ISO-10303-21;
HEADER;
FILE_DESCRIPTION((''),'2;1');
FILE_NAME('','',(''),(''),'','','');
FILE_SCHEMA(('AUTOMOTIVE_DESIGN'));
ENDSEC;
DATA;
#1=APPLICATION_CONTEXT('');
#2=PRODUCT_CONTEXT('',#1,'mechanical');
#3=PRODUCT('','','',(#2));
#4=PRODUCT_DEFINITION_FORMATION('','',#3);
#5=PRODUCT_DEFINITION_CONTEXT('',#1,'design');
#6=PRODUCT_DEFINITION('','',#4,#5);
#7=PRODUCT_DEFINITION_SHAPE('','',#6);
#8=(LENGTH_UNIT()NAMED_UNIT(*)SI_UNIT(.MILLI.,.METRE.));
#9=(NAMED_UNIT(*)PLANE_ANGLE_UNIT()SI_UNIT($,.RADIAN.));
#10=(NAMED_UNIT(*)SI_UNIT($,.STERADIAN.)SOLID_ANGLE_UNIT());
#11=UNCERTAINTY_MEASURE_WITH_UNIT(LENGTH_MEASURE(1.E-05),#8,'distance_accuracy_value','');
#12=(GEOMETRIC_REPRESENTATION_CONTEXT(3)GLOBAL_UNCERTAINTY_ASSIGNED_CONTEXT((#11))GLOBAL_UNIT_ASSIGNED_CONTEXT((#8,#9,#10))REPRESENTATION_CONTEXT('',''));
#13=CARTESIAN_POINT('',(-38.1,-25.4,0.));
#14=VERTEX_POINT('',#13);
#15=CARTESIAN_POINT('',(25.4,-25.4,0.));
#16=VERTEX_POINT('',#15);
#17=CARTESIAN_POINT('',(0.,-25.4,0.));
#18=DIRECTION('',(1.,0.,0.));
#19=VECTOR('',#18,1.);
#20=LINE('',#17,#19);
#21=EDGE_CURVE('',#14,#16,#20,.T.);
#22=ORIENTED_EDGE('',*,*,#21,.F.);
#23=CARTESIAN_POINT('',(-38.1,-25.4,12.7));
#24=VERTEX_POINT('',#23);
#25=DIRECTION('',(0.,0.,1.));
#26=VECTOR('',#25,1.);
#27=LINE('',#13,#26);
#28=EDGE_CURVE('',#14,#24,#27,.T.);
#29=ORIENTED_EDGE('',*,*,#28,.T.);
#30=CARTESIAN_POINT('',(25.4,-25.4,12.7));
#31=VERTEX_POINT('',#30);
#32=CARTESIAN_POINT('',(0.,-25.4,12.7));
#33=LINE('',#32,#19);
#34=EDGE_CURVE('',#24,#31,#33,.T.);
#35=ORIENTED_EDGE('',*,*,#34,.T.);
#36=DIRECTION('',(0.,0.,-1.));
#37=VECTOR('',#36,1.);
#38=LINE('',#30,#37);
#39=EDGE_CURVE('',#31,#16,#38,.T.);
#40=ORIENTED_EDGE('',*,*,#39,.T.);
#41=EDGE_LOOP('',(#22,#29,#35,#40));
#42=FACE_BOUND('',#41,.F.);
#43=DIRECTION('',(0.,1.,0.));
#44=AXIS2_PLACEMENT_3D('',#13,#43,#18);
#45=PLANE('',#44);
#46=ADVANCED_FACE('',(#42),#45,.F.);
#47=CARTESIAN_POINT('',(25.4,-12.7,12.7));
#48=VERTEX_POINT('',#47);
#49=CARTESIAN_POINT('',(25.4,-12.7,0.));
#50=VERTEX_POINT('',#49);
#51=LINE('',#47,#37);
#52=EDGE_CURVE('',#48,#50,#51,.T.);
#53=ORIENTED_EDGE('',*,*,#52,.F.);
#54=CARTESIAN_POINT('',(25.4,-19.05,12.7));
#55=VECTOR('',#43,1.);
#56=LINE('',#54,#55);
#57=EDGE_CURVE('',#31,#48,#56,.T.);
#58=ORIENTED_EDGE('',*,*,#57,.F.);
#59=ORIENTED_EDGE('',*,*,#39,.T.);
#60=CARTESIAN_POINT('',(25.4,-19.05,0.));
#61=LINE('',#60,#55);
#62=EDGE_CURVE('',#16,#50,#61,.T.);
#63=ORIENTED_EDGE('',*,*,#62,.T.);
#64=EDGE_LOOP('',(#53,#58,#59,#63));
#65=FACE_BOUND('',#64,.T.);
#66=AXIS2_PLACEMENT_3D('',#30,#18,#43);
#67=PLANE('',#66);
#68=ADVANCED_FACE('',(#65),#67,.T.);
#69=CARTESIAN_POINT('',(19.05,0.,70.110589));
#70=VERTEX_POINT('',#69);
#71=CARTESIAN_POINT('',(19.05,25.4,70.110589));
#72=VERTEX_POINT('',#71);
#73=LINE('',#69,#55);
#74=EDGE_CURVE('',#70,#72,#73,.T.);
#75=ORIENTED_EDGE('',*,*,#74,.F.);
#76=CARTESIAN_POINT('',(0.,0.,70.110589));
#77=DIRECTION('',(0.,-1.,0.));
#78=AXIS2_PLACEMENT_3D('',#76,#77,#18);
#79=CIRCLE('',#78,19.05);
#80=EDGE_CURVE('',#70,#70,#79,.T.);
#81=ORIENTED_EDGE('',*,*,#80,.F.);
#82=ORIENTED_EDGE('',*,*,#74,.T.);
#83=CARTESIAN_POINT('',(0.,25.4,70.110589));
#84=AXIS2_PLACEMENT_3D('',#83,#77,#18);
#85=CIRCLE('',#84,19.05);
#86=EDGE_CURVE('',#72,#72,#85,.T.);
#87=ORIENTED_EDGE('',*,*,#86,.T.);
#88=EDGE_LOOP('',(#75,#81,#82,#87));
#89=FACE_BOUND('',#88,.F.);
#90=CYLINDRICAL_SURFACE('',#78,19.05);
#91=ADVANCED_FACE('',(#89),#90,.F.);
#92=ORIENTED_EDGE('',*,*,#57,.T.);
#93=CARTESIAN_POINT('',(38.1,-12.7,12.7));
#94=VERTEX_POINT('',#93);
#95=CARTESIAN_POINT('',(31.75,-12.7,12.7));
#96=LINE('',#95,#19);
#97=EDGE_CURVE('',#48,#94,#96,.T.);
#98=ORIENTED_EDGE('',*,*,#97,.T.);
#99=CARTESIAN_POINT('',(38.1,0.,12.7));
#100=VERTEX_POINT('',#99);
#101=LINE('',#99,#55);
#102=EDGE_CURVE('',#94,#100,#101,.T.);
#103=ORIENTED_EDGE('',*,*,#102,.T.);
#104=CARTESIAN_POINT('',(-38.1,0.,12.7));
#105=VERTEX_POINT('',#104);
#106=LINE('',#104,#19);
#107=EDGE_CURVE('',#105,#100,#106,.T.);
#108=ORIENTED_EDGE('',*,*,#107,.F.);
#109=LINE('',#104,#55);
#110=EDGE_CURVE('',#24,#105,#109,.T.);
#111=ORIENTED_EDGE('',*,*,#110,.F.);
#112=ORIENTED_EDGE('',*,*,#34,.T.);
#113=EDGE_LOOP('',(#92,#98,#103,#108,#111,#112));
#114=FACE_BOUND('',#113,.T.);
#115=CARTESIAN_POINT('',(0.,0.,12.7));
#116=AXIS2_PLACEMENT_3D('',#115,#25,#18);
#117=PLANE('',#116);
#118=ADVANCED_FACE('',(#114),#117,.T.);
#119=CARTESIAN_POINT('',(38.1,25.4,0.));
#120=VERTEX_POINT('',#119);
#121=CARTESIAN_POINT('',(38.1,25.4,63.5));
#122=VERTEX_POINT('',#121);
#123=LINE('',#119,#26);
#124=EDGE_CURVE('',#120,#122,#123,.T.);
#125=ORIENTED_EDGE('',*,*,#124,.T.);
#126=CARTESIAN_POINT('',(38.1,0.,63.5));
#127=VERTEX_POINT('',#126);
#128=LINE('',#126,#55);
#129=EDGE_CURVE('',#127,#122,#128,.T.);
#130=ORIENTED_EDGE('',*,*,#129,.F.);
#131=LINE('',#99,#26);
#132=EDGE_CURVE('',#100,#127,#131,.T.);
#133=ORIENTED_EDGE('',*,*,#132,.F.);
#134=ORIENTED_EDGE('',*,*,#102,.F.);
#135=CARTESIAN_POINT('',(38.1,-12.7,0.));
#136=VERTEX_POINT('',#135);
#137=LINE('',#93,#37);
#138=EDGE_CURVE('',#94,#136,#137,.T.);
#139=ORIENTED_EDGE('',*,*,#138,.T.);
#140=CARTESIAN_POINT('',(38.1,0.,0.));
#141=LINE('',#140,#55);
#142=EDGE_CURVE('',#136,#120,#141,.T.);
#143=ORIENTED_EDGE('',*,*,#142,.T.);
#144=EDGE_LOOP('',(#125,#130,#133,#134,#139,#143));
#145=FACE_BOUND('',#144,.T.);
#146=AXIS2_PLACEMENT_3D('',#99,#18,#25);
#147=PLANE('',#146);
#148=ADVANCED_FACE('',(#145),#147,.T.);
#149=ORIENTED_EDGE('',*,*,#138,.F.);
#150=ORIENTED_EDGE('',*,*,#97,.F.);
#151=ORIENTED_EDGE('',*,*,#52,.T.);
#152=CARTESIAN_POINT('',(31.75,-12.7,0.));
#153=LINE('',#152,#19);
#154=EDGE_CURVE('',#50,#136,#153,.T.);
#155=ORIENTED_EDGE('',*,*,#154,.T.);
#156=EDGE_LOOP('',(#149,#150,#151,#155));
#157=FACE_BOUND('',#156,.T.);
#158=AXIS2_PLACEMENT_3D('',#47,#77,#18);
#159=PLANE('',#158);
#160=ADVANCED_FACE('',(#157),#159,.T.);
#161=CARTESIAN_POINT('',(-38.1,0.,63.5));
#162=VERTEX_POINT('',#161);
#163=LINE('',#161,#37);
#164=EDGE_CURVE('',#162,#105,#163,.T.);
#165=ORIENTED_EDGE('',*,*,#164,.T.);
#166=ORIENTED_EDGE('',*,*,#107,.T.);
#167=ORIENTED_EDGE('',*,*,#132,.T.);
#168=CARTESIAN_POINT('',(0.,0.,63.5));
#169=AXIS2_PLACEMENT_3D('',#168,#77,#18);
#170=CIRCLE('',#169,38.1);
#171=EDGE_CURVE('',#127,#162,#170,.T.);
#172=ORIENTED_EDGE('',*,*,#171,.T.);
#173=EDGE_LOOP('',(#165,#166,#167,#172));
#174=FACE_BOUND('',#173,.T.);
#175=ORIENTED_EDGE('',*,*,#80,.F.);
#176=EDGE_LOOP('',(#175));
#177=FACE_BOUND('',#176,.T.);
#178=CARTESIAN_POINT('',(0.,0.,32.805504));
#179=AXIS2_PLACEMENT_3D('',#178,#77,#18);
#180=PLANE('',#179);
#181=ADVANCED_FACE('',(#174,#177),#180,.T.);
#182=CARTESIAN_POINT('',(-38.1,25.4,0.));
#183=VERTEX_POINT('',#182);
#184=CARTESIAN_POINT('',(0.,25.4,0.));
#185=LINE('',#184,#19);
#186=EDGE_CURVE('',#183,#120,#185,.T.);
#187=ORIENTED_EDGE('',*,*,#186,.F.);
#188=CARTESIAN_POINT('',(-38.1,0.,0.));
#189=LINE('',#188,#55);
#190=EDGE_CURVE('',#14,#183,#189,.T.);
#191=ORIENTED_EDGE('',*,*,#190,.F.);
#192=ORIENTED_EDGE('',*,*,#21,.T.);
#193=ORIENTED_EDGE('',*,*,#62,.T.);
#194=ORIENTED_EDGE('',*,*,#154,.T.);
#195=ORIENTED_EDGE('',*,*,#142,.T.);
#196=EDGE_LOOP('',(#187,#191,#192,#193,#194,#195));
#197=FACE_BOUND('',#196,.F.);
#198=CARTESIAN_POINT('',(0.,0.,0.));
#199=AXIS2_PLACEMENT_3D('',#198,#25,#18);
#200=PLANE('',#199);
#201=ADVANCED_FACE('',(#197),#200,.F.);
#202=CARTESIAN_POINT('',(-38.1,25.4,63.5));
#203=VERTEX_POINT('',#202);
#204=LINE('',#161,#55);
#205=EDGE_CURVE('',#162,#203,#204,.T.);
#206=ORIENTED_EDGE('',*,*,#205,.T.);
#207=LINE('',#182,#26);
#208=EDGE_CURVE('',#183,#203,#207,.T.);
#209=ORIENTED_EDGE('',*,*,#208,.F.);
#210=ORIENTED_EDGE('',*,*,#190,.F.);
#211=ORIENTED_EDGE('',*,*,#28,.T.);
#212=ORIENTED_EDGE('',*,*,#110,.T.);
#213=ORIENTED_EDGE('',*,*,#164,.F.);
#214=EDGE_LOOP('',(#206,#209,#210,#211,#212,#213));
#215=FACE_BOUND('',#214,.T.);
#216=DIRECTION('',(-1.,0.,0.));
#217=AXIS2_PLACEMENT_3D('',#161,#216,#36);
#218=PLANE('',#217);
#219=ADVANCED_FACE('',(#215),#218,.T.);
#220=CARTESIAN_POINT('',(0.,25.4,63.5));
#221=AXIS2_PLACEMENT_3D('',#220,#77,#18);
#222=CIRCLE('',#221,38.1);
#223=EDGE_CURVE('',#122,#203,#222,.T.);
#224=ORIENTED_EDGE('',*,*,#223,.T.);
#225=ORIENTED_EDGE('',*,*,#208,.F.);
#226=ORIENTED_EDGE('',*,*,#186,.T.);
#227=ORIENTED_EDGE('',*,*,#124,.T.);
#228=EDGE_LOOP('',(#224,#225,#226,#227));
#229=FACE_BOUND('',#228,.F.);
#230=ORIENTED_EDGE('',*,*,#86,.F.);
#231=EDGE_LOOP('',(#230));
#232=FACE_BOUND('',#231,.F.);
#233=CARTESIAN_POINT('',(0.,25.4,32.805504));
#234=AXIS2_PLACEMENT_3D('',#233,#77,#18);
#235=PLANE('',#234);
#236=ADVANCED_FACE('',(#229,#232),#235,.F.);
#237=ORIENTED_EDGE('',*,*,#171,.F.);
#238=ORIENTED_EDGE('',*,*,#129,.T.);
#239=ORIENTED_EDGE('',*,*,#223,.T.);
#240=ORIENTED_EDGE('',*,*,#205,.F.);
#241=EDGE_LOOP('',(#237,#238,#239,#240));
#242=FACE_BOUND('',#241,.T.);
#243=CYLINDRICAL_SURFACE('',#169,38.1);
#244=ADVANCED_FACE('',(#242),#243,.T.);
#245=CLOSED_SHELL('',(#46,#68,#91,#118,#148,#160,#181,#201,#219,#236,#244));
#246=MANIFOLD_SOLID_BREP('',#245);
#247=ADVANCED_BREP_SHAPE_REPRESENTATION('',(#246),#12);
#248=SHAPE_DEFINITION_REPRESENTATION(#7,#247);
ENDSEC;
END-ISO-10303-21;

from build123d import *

# Parameters (mm, degrees)
F0_W     = 76.2
F0_H     = 50.8
F1_DEPTH = 12.7
F2_W     = 12.7
F2_H     = 12.7
F3_DEPTH = 12.7
F5_DEPTH = 25.4
F6_R     = 19.05
F7_DEPTH = 25.4


with BuildPart() as f1:
    # F0 (on Top) → F1 (new body)
    with BuildSketch(Plane.XY):
        Rectangle(F0_W, F0_H)
    extrude(amount=F1_DEPTH)

    # F2 (on face) → F3 (cut)
    with BuildSketch(Plane.XY.offset(12.7)):
        with Locations((31.75, -19.05)):
            Rectangle(F2_W, F2_H)
    extrude(amount=-F3_DEPTH, mode=Mode.SUBTRACT)

    # F4 (on Front) → F5 (join)
    with BuildSketch(Plane.XZ):
        with BuildLine():
            Line((-38.1, 12.7), (38.1, 12.7))
            Line((38.1, 12.7), (38.1, 63.5))
            ThreePointArc((38.1, 63.5), (0, 25.4), (-38.1, 63.5))
            Line((-38.1, 63.5), (-38.1, 12.7))
        make_face()
        with BuildLine():
            ThreePointArc((-38.1, 63.5), (0, 25.4), (38.1, 63.5))
            Line((38.1, 63.5), (-38.1, 63.5))
        make_face()
        with BuildLine():
            Line((-38.1, 63.5), (38.1, 63.5))
            ThreePointArc((38.1, 63.5), (0, 101.6), (-38.1, 63.5))
        make_face()
    extrude(amount=-F5_DEPTH)

    # F6 (on face) → F7 (cut)
    with BuildSketch(Plane.XZ):
        with Locations((0, 70.110589)):
            Circle(F6_R)
    extrude(amount=-F7_DEPTH, mode=Mode.SUBTRACT)


solid = f1.part
